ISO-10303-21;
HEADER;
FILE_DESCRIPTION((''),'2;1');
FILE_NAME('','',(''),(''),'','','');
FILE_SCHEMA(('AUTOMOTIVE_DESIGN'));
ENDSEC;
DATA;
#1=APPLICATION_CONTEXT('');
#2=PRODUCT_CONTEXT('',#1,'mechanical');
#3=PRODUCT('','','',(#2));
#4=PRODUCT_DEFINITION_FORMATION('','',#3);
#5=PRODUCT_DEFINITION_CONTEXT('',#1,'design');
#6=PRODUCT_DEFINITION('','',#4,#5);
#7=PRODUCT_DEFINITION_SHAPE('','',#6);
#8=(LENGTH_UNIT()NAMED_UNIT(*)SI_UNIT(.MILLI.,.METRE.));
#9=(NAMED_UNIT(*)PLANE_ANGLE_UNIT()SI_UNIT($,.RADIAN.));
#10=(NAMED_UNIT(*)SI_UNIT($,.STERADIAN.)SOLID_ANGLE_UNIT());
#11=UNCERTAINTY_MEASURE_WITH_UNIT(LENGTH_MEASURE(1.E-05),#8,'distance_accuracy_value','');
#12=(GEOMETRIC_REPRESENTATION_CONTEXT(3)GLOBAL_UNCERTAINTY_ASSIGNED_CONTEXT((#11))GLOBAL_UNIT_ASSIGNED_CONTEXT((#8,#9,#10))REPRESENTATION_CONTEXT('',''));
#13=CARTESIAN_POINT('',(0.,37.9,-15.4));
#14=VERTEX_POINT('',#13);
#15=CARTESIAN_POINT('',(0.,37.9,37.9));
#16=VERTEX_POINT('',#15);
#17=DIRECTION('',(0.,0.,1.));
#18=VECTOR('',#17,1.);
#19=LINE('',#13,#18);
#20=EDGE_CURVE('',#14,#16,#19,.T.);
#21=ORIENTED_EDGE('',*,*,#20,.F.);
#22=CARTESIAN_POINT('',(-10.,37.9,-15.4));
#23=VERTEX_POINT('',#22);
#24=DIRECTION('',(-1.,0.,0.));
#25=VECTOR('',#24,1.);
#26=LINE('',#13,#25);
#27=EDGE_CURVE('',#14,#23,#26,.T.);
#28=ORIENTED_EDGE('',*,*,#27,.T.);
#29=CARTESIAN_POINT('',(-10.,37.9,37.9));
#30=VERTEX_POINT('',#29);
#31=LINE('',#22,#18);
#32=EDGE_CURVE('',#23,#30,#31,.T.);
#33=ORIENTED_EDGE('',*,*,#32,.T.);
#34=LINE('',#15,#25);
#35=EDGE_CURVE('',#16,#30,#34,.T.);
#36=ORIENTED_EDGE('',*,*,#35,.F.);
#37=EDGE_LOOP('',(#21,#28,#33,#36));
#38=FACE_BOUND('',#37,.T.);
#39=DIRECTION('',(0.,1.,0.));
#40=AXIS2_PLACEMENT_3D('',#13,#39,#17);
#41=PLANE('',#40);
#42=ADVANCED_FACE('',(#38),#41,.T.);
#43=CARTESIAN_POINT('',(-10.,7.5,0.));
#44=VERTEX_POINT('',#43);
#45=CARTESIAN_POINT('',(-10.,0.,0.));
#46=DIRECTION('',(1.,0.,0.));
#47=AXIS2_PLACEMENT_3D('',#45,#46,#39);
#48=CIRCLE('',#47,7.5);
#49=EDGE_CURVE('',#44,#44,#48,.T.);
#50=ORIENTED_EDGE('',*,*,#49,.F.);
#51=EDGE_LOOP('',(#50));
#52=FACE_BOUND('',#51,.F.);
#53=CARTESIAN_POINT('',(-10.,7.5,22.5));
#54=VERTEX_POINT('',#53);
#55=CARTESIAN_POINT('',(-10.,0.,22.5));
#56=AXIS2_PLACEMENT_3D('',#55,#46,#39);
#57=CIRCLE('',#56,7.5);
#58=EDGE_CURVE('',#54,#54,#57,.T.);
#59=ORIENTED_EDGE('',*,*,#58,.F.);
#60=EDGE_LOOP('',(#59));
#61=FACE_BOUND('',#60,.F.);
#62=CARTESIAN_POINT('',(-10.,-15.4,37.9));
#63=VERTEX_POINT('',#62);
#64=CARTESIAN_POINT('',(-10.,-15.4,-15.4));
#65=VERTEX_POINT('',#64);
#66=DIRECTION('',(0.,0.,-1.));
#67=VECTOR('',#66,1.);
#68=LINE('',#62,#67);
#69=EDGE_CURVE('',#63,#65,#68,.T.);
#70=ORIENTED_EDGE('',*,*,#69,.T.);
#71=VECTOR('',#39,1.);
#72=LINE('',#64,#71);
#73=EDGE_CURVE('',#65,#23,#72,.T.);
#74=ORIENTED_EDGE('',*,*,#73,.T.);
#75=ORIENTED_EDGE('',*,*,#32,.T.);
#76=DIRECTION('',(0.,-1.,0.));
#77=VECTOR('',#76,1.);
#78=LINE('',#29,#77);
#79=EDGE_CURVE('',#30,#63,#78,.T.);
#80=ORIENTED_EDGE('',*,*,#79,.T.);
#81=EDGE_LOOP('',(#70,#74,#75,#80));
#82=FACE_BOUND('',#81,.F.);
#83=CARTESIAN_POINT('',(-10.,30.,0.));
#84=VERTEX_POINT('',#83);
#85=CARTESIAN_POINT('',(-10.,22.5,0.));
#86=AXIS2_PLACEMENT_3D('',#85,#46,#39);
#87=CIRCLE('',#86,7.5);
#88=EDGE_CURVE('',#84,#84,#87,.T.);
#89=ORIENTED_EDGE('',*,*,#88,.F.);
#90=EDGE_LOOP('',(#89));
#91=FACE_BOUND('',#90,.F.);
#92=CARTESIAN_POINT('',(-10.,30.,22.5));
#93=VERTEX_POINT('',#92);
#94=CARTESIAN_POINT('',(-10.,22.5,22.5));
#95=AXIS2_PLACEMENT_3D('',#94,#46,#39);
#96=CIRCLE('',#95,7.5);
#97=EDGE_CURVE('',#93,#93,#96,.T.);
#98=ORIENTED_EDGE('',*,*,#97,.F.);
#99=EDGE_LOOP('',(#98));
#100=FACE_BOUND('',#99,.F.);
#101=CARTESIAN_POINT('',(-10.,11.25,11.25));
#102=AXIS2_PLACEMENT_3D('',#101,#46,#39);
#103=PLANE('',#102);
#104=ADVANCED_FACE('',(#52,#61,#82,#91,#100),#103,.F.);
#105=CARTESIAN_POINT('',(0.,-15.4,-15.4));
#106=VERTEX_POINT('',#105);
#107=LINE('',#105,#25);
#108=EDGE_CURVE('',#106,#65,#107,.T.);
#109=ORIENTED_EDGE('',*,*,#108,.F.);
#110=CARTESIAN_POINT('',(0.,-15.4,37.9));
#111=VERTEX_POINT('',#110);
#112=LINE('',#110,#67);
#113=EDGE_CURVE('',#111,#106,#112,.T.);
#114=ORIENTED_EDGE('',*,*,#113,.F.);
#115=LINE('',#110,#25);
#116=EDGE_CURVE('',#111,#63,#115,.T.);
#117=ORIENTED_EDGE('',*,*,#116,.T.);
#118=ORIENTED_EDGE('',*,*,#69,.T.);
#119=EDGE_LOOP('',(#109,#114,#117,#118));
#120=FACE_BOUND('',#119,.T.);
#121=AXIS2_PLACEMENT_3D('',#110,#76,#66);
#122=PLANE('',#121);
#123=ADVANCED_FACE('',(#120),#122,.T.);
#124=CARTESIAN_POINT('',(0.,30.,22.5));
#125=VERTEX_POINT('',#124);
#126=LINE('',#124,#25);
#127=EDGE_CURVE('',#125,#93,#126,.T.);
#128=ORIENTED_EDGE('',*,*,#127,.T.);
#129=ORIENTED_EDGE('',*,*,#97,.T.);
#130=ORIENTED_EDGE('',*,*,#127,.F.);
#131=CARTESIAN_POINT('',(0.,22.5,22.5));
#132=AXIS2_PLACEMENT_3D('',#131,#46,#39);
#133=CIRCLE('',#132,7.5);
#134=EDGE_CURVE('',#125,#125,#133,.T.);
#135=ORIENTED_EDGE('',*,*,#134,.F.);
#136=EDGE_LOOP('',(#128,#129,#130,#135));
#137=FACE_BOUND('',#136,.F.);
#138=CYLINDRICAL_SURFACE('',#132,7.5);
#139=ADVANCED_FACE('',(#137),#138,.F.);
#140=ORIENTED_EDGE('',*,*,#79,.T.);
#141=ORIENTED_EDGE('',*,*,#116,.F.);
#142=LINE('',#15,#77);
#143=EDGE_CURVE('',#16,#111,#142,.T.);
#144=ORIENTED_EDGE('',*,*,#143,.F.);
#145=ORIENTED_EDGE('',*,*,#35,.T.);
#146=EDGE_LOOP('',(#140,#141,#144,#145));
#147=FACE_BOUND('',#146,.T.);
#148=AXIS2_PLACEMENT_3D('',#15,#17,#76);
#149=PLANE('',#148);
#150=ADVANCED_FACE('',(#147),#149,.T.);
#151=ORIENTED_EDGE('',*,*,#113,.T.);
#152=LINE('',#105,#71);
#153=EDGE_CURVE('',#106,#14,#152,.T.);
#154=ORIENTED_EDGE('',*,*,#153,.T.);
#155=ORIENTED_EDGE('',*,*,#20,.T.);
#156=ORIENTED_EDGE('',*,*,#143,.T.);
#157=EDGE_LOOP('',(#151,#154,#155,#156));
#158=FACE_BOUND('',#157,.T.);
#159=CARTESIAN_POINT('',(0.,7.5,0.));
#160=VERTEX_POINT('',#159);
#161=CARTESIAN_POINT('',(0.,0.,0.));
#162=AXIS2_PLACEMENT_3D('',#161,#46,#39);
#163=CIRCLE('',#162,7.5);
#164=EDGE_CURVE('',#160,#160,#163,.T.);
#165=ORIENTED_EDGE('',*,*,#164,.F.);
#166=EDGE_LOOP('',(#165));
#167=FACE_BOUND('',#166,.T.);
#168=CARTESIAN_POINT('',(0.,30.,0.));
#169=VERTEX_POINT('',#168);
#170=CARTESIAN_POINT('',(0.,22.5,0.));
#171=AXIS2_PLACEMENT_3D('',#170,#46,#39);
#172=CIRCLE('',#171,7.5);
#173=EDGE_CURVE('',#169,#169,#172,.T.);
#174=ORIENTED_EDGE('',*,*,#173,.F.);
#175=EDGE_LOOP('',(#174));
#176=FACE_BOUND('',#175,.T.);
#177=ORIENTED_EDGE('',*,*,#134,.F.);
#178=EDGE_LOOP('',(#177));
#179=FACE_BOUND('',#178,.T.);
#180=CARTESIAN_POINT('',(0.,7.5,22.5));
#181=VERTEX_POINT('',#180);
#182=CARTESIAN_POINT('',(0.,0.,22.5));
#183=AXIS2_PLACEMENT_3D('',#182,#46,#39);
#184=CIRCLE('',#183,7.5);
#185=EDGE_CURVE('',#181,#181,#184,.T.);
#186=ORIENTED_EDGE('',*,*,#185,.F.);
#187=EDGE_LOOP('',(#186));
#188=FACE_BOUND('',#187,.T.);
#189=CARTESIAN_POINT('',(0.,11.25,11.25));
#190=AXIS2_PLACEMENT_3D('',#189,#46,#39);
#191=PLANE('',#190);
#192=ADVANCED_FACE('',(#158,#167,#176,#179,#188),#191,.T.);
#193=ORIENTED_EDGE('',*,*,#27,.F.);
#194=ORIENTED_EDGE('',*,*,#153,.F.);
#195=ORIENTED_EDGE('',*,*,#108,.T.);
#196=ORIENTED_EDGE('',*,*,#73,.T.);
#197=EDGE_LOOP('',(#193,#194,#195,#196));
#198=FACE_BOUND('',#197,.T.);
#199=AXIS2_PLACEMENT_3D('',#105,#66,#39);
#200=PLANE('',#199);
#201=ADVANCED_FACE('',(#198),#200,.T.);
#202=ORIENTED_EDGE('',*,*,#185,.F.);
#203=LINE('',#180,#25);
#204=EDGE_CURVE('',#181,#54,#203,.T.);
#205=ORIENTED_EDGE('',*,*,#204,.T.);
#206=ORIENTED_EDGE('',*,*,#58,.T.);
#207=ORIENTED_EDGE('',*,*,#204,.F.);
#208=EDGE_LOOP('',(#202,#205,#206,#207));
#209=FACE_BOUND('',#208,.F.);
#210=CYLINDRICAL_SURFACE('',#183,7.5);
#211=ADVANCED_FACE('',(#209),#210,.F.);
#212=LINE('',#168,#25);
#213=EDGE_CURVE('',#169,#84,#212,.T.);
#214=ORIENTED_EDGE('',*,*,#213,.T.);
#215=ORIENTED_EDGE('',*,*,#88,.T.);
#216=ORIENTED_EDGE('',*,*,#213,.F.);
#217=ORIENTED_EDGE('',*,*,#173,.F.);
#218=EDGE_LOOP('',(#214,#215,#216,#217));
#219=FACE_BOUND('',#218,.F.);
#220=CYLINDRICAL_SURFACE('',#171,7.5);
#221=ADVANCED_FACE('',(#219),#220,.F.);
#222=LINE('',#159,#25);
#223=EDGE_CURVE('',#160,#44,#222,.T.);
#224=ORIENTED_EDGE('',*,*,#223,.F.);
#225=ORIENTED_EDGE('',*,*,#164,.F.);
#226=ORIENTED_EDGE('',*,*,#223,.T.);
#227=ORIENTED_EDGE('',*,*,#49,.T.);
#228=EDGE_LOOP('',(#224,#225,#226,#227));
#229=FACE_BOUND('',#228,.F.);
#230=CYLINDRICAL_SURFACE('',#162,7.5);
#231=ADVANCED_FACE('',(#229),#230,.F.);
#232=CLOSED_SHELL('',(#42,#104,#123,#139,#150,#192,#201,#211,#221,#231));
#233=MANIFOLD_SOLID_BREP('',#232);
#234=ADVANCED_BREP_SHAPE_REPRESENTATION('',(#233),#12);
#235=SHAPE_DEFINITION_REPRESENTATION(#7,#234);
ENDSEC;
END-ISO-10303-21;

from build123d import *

# Parameters (mm, degrees)
F0_R     = 7.5
F1_DEPTH = 10


with BuildPart() as f1:
    # F0 (on Right) → F1 (new body)
    with BuildSketch(Plane.YZ):
        Polygon((22.5, 37.9), (0, 37.9), (-15.4, 37.9), (-15.4, 15), (-15.4, 7.5), (-15.4, -15.4), (0, -15.4), (22.5, -15.4), (37.9, -15.4), (37.9, 0), (37.9, 22.5), (37.9, 37.9), align=None)
        Circle(F0_R, mode=Mode.SUBTRACT)
        with Locations((22.5, 0)):
            Circle(F0_R, mode=Mode.SUBTRACT)
        with Locations((0, 22.5)):
            Circle(F0_R, mode=Mode.SUBTRACT)
        with Locations((22.5, 22.5)):
            Circle(F0_R, mode=Mode.SUBTRACT)
    extrude(amount=-F1_DEPTH)


solid = f1.part
